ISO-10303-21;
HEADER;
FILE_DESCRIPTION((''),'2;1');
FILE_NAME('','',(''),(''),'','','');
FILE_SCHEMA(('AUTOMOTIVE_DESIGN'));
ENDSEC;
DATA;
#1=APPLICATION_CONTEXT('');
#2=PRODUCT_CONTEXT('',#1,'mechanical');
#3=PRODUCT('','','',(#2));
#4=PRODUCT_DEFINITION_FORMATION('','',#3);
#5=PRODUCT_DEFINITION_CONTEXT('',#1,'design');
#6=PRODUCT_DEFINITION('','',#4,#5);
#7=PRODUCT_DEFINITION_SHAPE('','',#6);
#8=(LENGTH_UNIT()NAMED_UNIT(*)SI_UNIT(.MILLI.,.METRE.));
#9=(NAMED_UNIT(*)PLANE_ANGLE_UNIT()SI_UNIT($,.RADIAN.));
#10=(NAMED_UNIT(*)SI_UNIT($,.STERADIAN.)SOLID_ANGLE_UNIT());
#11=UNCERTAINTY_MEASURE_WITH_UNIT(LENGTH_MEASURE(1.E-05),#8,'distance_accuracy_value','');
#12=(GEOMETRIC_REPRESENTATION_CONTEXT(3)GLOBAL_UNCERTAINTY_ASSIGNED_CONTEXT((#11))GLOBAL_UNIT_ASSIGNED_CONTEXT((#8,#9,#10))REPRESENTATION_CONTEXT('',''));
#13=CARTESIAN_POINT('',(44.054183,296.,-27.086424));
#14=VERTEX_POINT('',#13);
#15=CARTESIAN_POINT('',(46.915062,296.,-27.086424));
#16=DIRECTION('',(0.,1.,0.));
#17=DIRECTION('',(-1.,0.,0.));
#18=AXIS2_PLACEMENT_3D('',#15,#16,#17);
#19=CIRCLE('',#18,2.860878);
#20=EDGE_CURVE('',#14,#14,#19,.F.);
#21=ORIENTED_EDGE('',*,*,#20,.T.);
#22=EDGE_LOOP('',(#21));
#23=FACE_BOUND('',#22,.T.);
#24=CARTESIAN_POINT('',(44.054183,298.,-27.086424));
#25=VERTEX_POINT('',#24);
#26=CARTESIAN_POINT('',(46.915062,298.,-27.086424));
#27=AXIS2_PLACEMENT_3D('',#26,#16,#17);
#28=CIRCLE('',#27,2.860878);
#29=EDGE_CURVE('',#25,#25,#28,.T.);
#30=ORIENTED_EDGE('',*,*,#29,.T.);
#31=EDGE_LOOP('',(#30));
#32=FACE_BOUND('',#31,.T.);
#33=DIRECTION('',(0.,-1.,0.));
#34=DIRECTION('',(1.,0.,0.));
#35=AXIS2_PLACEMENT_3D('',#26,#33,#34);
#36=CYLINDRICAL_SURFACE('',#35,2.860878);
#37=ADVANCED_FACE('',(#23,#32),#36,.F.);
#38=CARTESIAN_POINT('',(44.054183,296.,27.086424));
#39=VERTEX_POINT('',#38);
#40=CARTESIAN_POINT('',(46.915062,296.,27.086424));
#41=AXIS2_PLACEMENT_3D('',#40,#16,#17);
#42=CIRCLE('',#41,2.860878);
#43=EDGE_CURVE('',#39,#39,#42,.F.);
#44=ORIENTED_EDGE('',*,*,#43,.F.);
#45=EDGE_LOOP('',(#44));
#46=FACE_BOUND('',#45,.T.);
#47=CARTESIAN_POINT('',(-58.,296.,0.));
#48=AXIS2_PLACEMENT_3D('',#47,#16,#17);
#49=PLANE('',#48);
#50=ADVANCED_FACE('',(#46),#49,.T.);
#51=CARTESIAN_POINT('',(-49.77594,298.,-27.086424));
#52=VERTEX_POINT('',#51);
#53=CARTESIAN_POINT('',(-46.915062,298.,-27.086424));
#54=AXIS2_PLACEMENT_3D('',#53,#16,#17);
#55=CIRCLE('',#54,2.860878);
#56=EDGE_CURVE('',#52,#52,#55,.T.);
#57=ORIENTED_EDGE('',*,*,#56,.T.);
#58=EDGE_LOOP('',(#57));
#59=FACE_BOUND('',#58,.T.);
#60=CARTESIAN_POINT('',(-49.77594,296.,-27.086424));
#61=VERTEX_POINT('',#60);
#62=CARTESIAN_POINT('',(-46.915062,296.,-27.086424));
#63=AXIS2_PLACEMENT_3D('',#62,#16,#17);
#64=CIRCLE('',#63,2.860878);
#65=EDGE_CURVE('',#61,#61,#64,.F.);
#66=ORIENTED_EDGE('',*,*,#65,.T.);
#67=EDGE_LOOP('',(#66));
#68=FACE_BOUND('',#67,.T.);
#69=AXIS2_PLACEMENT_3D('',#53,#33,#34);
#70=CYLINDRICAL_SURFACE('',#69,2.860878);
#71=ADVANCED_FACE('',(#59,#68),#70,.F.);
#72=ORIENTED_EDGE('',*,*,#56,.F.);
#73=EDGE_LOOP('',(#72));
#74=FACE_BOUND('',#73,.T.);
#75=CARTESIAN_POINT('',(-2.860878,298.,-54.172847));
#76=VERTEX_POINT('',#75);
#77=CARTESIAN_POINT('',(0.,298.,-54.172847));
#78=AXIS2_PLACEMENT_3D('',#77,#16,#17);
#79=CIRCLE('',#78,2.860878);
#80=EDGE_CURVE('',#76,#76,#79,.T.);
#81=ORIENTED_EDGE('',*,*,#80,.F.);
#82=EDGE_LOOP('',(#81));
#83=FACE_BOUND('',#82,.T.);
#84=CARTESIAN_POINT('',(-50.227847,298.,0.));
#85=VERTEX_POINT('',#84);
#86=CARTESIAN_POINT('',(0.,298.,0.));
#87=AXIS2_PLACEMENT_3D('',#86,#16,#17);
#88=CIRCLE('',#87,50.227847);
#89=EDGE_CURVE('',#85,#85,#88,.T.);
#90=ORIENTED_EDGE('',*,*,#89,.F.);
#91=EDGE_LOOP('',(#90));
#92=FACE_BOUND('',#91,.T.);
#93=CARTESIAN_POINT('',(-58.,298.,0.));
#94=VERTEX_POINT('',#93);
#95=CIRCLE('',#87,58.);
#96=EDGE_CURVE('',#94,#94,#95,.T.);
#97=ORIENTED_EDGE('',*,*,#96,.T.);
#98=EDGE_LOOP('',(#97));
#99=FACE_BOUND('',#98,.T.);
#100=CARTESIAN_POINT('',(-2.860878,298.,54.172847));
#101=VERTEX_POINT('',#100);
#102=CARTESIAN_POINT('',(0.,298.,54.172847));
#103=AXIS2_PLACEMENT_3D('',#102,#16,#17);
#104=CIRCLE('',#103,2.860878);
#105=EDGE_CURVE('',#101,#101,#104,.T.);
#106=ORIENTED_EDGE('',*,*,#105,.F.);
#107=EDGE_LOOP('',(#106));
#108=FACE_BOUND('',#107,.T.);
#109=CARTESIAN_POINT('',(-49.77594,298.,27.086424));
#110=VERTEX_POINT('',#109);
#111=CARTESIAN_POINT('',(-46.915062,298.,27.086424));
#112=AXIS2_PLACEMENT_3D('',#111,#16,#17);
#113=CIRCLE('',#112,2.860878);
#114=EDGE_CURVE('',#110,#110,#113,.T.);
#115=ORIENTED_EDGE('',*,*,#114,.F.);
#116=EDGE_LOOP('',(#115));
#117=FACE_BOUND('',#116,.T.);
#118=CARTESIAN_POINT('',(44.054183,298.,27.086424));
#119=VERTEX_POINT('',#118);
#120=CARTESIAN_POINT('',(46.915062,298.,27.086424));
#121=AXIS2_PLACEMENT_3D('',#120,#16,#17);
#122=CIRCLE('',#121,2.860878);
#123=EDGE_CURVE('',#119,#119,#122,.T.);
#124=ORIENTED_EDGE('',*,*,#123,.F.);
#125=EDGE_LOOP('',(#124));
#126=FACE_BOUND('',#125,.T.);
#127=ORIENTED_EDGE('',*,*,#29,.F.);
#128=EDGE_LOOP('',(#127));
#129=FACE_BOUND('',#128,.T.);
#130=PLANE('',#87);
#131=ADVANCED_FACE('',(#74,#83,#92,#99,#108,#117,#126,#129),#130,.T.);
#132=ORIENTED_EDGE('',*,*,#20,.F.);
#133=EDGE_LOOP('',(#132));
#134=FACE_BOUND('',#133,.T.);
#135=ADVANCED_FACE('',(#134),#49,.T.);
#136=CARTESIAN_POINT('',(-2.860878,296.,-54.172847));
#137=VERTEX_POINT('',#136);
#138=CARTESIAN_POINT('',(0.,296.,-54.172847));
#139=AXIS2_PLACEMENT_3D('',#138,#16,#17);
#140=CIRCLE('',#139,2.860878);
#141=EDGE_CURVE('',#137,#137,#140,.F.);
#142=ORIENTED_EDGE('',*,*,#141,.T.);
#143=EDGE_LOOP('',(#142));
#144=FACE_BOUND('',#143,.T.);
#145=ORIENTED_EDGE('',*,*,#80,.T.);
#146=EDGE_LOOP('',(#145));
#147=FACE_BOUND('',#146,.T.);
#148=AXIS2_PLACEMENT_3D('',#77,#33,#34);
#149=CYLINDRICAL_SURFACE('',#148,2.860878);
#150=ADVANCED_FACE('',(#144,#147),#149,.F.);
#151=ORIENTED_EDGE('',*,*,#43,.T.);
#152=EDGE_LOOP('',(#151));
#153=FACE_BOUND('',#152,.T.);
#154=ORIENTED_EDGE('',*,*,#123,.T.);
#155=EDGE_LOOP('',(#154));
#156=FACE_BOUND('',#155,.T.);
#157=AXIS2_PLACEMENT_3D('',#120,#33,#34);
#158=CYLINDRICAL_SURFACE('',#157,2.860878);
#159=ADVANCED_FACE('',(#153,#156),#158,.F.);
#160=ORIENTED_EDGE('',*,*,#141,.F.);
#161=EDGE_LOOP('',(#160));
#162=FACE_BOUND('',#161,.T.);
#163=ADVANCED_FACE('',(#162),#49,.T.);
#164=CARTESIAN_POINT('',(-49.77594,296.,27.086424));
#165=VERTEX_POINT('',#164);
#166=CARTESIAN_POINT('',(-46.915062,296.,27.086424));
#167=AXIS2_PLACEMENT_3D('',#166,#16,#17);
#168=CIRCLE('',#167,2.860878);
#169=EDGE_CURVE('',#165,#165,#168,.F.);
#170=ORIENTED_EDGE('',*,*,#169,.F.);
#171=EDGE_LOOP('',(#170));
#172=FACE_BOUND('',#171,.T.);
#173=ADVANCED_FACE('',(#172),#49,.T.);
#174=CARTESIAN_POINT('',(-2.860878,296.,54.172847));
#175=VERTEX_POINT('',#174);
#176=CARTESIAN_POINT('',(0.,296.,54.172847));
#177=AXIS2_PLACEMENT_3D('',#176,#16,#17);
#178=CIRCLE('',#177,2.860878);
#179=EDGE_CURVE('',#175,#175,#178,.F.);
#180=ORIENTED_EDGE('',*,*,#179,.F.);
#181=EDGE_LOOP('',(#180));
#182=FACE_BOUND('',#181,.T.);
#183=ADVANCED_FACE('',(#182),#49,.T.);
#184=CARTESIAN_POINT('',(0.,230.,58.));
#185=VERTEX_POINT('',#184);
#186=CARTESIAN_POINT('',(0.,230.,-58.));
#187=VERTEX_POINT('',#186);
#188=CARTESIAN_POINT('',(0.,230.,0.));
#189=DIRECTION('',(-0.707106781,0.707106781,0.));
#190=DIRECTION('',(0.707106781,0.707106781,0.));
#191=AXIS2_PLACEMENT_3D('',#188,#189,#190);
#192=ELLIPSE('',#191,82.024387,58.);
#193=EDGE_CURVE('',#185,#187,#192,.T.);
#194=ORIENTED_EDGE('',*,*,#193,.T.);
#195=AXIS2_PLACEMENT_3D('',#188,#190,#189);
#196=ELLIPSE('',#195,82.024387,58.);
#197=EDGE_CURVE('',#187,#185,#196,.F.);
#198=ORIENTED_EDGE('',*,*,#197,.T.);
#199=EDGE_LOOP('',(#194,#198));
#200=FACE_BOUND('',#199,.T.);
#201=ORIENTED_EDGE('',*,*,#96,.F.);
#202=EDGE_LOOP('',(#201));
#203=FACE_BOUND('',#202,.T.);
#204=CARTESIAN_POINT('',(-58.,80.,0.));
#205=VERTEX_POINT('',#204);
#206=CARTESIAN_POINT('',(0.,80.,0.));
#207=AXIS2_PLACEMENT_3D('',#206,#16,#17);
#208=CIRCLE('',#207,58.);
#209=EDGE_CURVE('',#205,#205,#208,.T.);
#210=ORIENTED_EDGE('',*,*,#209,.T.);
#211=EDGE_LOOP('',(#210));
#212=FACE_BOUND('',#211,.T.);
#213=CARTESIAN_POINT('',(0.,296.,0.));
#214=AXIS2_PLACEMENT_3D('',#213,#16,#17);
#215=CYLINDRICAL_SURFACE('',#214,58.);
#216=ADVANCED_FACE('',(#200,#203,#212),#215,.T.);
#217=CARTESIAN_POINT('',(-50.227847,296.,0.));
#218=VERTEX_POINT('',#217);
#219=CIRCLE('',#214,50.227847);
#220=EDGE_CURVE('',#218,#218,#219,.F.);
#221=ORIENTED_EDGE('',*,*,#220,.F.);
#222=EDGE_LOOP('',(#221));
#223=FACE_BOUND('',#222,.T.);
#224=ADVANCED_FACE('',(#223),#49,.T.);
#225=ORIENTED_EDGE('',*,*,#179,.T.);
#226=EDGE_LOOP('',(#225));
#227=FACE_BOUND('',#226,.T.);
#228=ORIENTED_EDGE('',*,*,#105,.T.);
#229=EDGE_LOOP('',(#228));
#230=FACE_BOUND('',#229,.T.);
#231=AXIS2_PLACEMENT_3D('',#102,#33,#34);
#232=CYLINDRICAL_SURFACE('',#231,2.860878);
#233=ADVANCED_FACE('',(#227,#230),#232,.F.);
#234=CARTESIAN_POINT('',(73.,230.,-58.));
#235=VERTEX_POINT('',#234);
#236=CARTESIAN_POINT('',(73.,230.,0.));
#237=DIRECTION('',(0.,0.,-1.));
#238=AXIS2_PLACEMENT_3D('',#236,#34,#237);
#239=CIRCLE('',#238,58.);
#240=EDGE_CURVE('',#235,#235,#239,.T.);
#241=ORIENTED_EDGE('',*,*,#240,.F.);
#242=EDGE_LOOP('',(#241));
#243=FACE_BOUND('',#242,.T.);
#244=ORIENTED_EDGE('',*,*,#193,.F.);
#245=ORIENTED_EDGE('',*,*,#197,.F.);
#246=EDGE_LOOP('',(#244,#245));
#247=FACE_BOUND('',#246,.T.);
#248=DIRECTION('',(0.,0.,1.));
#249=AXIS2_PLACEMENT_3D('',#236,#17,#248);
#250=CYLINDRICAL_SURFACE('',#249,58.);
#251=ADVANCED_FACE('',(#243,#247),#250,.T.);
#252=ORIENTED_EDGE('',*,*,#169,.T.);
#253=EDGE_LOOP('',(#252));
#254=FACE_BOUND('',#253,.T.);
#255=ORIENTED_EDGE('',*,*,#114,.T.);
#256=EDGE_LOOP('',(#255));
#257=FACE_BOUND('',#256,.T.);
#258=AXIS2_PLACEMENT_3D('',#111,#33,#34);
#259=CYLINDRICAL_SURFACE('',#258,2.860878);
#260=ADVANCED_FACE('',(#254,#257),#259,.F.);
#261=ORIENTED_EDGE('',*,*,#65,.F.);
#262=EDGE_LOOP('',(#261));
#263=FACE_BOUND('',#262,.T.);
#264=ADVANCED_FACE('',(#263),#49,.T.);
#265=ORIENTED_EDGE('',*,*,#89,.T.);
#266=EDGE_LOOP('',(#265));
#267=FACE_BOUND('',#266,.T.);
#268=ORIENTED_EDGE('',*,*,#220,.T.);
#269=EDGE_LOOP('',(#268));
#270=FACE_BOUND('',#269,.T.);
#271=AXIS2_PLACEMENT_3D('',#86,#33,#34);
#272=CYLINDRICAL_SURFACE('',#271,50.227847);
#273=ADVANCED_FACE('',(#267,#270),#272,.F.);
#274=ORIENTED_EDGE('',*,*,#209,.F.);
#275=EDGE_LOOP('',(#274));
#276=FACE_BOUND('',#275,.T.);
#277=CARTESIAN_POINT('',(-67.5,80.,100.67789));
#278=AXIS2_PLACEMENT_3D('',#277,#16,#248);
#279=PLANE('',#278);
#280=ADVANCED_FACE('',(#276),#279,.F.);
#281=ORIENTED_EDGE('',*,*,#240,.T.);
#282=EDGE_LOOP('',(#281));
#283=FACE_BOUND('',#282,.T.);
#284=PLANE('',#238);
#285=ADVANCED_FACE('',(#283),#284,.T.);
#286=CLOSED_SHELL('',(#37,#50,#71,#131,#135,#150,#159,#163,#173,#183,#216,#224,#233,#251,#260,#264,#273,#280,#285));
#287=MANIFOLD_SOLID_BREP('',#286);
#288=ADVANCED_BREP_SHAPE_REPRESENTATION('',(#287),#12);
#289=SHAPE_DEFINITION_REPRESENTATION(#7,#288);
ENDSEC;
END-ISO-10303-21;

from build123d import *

# Parameters (mm, degrees)
CORTAR_EXTRUIR4_DEPTH      = 312.012057644
SALIENTE_EXTRUIR1_START    = -30
CROQUIS4_R                 = 67.5
SALIENTE_EXTRUIR1_DEPTH    = 30
SALIENTE_EXTRUIR2_START    = 2
CROQUIS5_R                 = 58
CROQUIS5_R_2               = 50.227847336
CROQUIS5_R_3               = 2.860878396
SALIENTE_EXTRUIR2_DEPTH    = 2
CROQUIS6_R                 = 58
SALIENTE_EXTRUIR3_DEPTH    = 73
CORTAR_EXTRUIR5_DEPTH      = 315.148452169
CORTAR_EXTRUIR5_DEPTH_BACK = 315.148452169
CROQUIS7_W                 = 212.825411986
CROQUIS7_H                 = 84.990442804


with BuildPart() as part:
    # Croquis2 → Revolución1 (revolve)
    with BuildSketch(Plane.XY):
        Polygon((0, 0), (-67.5, 0), (-67.5, 26.689315597), (-58, 80), (-58, 296), (0, 296), align=None)
    revolve(axis=Axis((0, 296, 0), (0, -1, 0)))

    # Croquis3 → Cortar-Extruir4 (cut, through all)
    with BuildSketch(Plane(origin=(0, 296, 0), x_dir=(1, 0, 0), z_dir=(0, 1, 0))):
        Polygon((0, 58), (-8.909431544, 66.909431544), (8.909431544, 66.909431544), align=None)
        Polygon((66.909431544, -8.909431544), (58, 0), (66.909431544, 8.909431544), align=None)
        Polygon((-8.909431544, -66.909431544), (0, -58), (8.909431544, -66.909431544), align=None)
        Polygon((-66.909431544, 8.909431544), (-58, 0), (-66.909431544, -8.909431544), align=None)
    extrude(amount=-CORTAR_EXTRUIR4_DEPTH, mode=Mode.SUBTRACT)

    # Croquis4 → Saliente-Extruir1 (add)
    with BuildSketch(Plane.XZ.offset(SALIENTE_EXTRUIR1_START)):
        with Locations(Location((0, 0, 0), (0, 0, 180))):
            Circle(CROQUIS4_R)
    extrude(amount=SALIENTE_EXTRUIR1_DEPTH)

    # Croquis5 → Saliente-Extruir2 (add)
    with BuildSketch(Plane(origin=(0, 296, 0), x_dir=(1, 0, 0), z_dir=(0, 1, 0)).offset(SALIENTE_EXTRUIR2_START)):
        with Locations(Location((0, 0, 0), (0, 0, 180))):
            Circle(CROQUIS5_R)
        with Locations(Location((0, 0, 0), (0, 0, 180))):
            Circle(CROQUIS5_R_2, mode=Mode.SUBTRACT)
        with Locations(Location((0, 54.172847051, 0), (0, 0, 180))):
            Circle(CROQUIS5_R_3, mode=Mode.SUBTRACT)
        with Locations(Location((46.915061741, 27.086423525, 0), (0, 0, 180))):
            Circle(CROQUIS5_R_3, mode=Mode.SUBTRACT)
        with Locations(Location((46.915061741, -27.086423525, 0), (0, 0, 180))):
            Circle(CROQUIS5_R_3, mode=Mode.SUBTRACT)
        with Locations(Location((0, -54.172847051, 0), (0, 0, 180))):
            Circle(CROQUIS5_R_3, mode=Mode.SUBTRACT)
        with Locations(Location((-46.915061741, -27.086423525, 0), (0, 0, 180))):
            Circle(CROQUIS5_R_3, mode=Mode.SUBTRACT)
        with Locations(Location((-46.915061741, 27.086423525, 0), (0, 0, 180))):
            Circle(CROQUIS5_R_3, mode=Mode.SUBTRACT)
    extrude(amount=-SALIENTE_EXTRUIR2_DEPTH)

    # Croquis6 → Saliente-Extruir3 (add)
    with BuildSketch(Plane(origin=(0, 0, 0), x_dir=(0, 0, -1), z_dir=(1, 0, 0))):
        with Locations((0, 230)):
            Circle(CROQUIS6_R)
    extrude(amount=SALIENTE_EXTRUIR3_DEPTH)

    # Croquis7 → Cortar-Extruir5 (cut, two sides: drawn at the far end of the back side and taken through both)
    with BuildSketch(Plane(origin=(0, 0, 0), x_dir=(0, 0, -1), z_dir=(1, 0, 0)).offset(-CORTAR_EXTRUIR5_DEPTH_BACK)):
        with Locations((5.734816491, 37.504778598)):
            Rectangle(CROQUIS7_W, CROQUIS7_H)
    extrude(amount=CORTAR_EXTRUIR5_DEPTH + CORTAR_EXTRUIR5_DEPTH_BACK, mode=Mode.SUBTRACT)


solid = part.part
